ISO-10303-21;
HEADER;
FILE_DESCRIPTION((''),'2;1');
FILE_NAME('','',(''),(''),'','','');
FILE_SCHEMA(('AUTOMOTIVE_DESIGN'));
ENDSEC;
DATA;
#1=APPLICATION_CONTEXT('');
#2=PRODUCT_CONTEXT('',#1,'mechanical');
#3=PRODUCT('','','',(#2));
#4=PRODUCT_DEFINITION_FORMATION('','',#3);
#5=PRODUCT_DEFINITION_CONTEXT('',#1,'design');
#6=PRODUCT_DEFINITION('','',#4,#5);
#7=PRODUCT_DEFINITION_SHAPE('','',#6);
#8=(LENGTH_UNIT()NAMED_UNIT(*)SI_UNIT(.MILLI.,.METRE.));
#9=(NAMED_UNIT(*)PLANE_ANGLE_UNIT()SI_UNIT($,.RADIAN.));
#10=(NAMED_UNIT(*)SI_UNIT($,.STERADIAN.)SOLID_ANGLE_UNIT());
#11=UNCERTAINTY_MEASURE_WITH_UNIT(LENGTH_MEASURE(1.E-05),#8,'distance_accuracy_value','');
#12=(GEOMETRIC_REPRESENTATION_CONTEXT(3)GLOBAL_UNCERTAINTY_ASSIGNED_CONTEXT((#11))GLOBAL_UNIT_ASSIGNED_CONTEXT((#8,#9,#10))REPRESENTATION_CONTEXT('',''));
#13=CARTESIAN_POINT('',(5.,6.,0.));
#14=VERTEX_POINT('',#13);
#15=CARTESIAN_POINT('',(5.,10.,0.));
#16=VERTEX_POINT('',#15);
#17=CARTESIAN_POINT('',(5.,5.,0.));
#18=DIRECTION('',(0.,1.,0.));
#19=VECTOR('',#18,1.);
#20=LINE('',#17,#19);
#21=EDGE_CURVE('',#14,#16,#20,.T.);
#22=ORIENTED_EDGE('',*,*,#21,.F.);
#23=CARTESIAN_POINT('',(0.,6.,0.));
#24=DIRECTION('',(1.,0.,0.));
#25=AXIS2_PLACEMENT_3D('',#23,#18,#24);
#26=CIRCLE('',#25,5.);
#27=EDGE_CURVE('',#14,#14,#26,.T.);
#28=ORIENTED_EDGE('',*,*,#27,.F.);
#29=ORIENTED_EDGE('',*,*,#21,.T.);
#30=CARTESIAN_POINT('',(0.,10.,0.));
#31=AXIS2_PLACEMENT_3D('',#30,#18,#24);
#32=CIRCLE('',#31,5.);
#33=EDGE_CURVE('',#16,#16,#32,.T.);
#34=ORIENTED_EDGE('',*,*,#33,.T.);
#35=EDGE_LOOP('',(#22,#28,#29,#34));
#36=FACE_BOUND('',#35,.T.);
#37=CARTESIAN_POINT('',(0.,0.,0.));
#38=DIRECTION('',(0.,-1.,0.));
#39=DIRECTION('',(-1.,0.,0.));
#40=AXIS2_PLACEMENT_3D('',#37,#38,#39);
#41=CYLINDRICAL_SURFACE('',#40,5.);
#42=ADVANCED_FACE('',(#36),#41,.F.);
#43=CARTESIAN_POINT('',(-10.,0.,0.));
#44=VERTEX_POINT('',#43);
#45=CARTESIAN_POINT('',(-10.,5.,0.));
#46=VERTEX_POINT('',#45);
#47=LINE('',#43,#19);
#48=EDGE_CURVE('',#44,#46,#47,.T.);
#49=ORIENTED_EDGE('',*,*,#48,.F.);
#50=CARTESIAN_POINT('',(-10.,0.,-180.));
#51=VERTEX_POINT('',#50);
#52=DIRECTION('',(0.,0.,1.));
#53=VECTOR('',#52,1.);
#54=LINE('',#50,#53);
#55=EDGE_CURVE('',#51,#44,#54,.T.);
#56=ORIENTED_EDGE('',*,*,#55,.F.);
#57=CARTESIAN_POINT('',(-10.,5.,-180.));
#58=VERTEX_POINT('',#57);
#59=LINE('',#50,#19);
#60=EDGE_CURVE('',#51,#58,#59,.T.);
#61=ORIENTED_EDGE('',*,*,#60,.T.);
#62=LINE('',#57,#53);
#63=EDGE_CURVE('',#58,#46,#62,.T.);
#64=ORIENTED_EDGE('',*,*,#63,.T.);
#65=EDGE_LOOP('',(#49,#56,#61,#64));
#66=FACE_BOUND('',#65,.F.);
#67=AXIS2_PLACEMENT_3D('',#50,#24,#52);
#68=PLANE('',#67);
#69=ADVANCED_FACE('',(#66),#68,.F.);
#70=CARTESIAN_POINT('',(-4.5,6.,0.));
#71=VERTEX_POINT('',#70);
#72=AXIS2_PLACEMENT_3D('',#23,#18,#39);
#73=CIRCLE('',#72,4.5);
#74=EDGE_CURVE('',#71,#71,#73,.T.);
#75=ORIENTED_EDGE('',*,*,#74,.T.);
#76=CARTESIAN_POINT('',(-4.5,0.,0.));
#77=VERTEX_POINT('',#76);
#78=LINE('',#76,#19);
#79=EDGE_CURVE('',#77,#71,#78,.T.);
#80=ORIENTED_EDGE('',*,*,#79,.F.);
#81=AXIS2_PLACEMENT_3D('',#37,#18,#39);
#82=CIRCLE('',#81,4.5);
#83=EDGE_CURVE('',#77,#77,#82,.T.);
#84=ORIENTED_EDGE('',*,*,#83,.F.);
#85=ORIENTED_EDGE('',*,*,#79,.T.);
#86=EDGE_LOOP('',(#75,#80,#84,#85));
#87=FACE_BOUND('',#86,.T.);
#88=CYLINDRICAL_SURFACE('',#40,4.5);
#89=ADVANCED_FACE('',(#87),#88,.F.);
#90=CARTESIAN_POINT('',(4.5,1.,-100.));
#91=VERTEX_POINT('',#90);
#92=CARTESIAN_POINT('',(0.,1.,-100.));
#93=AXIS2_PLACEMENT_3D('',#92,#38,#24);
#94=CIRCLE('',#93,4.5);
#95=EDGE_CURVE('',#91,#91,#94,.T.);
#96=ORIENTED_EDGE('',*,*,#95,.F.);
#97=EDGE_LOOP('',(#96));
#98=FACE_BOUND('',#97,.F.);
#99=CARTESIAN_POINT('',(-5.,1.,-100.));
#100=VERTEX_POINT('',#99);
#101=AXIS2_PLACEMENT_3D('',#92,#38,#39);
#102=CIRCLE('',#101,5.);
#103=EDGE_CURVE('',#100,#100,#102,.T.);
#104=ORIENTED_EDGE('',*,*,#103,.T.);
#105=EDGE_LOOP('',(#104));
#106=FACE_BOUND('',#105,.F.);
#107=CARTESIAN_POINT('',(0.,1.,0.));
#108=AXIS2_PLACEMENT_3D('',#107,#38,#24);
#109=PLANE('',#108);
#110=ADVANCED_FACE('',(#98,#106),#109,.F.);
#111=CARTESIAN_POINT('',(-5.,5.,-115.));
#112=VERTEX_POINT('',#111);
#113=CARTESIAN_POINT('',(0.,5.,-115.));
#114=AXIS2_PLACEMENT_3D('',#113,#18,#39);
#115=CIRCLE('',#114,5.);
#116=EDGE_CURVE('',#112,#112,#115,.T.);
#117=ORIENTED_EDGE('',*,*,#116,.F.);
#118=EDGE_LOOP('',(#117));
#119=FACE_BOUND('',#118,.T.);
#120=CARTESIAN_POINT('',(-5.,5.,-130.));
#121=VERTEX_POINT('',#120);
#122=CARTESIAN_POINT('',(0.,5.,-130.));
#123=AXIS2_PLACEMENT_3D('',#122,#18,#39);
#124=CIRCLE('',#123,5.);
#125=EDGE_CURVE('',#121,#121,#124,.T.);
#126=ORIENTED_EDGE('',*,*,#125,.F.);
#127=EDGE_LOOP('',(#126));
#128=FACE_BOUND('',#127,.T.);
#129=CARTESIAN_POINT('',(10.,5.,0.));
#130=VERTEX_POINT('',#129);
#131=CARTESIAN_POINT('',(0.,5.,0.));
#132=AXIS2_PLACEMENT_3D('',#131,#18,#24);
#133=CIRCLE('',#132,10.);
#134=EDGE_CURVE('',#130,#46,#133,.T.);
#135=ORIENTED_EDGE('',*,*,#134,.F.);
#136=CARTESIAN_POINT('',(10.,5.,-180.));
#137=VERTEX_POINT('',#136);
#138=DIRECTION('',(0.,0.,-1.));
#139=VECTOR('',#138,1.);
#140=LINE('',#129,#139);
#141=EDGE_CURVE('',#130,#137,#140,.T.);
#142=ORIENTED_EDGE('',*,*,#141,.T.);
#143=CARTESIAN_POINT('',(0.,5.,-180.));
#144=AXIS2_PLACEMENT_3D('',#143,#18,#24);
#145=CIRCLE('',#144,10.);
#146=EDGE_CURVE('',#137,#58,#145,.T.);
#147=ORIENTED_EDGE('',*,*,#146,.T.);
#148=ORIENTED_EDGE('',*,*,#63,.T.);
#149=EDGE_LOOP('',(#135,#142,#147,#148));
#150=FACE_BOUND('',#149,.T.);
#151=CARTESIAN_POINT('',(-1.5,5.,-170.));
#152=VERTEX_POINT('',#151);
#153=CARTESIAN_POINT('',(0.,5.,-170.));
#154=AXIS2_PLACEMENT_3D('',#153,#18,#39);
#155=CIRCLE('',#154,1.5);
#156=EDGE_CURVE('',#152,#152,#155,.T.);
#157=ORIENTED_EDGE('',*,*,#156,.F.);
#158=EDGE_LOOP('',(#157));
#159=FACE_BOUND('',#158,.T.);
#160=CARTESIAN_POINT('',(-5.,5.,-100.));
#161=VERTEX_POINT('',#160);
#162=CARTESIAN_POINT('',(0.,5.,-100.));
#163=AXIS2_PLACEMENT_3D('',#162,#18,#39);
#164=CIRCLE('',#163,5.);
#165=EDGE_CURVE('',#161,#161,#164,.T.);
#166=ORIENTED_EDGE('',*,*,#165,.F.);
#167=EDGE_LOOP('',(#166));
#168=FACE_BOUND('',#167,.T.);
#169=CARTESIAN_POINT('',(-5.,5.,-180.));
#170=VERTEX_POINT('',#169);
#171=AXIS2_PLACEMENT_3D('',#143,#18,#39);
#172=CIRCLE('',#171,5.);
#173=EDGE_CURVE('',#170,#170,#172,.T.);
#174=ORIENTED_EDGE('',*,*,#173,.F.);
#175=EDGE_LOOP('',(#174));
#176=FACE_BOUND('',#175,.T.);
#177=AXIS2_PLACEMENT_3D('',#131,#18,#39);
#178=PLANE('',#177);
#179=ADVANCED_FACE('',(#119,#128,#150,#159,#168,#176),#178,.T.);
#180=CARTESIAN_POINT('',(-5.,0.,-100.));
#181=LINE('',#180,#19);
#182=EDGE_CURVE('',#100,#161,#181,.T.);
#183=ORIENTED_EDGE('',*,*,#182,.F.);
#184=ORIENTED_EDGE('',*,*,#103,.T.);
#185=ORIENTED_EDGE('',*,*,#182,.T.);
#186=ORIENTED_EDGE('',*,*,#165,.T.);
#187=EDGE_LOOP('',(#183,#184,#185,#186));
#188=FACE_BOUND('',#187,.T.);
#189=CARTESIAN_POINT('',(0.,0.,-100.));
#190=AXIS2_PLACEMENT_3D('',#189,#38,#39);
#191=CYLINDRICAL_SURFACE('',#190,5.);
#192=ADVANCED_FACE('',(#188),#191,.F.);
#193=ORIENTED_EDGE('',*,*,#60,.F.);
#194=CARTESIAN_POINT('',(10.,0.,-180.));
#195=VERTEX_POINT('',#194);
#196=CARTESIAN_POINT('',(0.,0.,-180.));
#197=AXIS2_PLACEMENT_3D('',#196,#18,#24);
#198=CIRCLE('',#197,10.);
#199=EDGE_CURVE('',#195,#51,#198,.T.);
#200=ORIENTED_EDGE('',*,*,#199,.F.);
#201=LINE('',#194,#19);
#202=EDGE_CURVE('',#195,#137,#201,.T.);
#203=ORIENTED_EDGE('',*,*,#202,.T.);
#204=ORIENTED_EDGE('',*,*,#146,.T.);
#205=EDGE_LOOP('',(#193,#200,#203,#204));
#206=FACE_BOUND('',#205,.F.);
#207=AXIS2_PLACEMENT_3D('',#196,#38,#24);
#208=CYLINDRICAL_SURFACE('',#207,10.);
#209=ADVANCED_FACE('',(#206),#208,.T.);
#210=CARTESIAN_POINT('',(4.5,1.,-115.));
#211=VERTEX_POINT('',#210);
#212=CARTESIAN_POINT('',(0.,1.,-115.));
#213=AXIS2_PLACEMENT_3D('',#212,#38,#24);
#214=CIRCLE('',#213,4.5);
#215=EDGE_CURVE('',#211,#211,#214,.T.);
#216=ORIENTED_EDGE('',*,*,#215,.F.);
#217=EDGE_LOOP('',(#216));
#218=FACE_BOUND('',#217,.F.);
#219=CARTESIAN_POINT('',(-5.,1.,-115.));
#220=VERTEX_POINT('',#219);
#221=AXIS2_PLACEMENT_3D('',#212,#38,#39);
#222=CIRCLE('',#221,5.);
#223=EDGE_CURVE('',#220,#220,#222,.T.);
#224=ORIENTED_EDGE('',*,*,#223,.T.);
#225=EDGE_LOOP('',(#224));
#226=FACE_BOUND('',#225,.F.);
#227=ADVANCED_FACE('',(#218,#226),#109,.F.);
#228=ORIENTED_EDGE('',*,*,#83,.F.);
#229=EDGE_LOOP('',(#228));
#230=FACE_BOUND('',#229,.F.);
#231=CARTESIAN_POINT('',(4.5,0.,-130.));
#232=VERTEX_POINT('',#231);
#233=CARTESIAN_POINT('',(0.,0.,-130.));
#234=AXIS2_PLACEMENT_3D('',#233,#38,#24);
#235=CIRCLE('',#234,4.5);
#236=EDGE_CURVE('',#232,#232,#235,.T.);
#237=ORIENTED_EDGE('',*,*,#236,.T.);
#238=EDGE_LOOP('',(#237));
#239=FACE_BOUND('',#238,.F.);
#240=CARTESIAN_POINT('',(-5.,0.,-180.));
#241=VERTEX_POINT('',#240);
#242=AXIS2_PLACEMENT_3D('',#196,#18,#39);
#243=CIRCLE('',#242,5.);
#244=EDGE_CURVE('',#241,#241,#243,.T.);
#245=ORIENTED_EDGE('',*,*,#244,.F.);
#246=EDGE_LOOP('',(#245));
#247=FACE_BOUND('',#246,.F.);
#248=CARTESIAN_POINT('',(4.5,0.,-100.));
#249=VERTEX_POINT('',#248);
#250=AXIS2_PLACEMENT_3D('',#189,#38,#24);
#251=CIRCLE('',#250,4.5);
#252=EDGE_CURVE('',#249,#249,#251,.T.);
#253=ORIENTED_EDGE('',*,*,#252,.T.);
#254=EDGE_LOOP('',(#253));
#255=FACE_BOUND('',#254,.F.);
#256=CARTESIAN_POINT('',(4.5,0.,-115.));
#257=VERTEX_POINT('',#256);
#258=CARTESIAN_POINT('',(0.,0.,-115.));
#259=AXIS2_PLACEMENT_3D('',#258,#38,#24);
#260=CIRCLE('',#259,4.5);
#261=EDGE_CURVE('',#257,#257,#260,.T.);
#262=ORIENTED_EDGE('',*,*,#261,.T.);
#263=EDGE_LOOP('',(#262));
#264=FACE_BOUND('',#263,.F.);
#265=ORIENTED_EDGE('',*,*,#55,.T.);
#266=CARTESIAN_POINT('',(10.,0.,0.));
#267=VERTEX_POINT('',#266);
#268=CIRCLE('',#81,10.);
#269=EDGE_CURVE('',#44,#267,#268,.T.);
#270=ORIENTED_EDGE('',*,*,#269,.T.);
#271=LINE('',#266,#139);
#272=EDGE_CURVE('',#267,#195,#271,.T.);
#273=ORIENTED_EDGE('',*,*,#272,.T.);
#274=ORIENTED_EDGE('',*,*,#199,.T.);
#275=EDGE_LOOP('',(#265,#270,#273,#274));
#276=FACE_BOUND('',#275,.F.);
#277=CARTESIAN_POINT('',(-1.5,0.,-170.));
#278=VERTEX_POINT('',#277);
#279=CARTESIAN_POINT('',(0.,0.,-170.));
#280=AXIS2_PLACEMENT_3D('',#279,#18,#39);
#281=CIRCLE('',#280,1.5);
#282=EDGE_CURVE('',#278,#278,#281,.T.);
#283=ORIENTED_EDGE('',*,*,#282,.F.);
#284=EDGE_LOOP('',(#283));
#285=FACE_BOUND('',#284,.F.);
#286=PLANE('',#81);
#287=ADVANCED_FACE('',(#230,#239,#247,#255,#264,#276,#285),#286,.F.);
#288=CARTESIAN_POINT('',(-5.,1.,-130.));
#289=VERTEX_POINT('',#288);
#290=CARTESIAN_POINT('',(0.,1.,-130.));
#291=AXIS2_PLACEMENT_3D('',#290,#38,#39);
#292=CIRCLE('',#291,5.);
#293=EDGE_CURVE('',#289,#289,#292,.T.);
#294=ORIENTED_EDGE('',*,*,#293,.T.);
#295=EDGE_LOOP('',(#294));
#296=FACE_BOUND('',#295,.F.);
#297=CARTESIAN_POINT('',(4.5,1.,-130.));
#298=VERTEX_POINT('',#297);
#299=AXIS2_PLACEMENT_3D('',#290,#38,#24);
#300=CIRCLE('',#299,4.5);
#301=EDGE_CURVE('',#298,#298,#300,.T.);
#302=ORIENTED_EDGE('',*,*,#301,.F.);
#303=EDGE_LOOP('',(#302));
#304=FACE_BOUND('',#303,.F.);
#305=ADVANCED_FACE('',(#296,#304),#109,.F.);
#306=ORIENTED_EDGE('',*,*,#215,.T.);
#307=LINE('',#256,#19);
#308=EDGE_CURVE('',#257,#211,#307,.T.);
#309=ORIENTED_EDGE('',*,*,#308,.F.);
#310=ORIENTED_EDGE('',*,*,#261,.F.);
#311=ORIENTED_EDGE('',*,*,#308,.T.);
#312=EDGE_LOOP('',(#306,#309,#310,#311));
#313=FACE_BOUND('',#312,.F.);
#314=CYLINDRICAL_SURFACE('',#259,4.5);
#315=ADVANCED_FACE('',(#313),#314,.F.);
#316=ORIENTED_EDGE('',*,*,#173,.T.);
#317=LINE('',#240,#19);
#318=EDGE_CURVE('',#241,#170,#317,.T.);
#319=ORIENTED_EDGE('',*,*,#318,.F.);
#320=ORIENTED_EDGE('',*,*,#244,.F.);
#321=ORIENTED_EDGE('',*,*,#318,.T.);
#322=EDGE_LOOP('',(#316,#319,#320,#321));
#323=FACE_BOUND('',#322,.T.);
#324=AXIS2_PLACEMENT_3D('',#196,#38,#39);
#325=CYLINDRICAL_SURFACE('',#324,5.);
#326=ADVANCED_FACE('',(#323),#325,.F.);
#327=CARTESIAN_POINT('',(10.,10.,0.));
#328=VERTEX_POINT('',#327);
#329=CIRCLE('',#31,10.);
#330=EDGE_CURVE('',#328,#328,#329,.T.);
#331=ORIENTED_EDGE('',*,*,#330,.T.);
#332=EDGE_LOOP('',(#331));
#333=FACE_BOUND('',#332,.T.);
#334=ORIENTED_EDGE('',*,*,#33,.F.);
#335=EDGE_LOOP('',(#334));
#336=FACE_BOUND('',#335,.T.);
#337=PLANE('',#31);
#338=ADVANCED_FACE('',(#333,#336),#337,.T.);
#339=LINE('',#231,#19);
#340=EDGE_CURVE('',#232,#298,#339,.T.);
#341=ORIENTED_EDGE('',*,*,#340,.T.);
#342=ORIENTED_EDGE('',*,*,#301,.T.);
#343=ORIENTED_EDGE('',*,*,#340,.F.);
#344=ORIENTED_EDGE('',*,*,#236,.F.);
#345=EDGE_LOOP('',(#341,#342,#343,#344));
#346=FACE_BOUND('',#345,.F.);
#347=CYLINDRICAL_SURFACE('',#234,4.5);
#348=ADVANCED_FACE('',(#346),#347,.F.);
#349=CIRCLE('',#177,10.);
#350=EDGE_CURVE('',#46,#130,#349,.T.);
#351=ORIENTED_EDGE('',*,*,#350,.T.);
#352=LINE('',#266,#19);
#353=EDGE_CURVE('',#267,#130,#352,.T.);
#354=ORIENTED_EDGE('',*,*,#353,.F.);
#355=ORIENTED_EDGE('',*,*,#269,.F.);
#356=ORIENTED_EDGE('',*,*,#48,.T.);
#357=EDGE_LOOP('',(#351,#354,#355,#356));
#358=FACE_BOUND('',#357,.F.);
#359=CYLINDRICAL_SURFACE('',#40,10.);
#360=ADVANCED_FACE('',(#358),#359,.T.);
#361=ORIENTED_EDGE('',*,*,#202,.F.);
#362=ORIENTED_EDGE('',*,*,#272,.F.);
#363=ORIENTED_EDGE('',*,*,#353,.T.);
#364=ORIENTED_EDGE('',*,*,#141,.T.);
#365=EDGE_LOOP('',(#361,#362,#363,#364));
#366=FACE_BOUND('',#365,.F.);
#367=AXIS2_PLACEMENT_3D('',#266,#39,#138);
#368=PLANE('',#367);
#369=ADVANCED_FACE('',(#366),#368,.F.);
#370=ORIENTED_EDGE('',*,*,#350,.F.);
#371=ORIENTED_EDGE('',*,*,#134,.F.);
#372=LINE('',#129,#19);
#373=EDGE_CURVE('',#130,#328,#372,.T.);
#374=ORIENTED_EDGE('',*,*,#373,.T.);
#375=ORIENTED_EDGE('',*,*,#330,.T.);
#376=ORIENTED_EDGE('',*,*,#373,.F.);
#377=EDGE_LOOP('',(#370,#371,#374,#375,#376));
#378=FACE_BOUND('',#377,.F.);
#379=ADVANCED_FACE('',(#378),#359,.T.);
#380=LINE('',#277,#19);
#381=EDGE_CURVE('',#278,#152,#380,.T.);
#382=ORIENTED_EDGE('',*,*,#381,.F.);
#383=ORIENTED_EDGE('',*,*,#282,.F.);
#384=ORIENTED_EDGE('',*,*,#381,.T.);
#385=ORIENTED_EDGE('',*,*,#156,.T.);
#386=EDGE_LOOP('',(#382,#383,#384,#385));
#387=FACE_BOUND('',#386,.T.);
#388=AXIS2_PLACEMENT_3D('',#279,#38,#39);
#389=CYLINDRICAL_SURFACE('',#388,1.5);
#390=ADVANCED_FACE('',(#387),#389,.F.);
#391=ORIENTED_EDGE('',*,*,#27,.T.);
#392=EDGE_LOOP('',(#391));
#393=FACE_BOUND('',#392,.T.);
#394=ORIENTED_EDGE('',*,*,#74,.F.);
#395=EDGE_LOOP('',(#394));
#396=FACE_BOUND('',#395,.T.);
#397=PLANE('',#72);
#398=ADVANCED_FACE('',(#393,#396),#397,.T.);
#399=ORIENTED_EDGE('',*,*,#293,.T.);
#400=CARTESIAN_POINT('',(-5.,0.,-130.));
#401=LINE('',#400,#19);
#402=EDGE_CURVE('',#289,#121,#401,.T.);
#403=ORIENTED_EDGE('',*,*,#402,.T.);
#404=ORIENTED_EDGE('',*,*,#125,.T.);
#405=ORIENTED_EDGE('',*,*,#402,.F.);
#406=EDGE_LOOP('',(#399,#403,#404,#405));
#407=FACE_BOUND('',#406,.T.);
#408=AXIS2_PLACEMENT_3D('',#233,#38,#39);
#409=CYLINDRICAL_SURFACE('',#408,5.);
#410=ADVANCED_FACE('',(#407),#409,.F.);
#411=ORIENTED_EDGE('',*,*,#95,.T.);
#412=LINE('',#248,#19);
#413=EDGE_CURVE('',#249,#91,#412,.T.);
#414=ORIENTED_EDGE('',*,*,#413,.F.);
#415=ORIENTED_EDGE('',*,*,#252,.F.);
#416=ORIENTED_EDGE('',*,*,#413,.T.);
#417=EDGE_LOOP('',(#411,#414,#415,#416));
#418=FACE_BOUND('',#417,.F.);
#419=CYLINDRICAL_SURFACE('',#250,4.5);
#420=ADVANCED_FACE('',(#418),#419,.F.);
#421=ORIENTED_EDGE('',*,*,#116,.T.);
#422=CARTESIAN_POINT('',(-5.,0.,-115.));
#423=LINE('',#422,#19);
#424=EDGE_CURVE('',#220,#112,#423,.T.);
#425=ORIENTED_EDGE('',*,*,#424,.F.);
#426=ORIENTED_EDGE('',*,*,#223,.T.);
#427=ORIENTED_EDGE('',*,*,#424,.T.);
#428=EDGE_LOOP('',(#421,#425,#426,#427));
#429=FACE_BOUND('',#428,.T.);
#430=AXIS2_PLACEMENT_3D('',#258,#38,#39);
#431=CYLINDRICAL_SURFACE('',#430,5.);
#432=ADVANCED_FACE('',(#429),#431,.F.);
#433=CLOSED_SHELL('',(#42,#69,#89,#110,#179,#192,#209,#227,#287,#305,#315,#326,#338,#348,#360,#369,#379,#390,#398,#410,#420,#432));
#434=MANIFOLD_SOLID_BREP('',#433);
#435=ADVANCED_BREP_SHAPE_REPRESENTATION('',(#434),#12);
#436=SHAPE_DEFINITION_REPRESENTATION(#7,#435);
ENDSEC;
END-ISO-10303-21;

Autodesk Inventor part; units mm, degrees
ref_plane "YZ Plane" through (0, 0, 0) normal (1, 0, 0) x (0, 1, 0)
ref_plane "XZ Plane" through (0, 0, 0) normal (0, 1, 0) x (-1, 0, 0)
ref_plane "XY Plane" through (0, 0, 0) normal (0, 0, 1) x (1, 0, 0)
sketch "Skizze3" plane through (0, 0, 0) normal (0, 1, 0) x (-1, 0, 0)
  line L0 (0, 0) -> (0, -180) construction
  line L1 (-10, 0) -> (-10, -180)
  line L2 (10, -180) -> (10, 0)
  arc A0 (10, 0) -> (-10, 0) centre (0, 0) ccw
  arc A1 (-10, -180) -> (10, -180) centre (0, -180) ccw
  circle A2 centre (0, 0) radius 5
  circle A3 centre (0, -180) radius 5
  circle A4 centre (0, -170) radius 1.5
  circle A5 centre (0, -130) radius 5
  circle A6 centre (0, -115) radius 5
  circle A7 centre (0, -100) radius 5
  circle A8 centre (0, 0) radius 4.5
  point P0 (0, -90)
  dimension "d4" = 180
  dimension "d5" = 10
  dimension "d6" = 10
  dimension "d7" = 10
  dimension "d8" = 3
  dimension "d9" = 10
  dimension "d10" = 50
  dimension "d11" = 10
  dimension "d12" = 10
  dimension "d13" = 10
  dimension "d14" = 15
  dimension "d15" = 15
  dimension "d27" = 9
extrude "Extrusion3" add sketch "Skizze3" along normal blind 5 contours A0 L2 A1 L1
sketch "Skizze4" plane through (0, 5, 0) normal (0, 1, 0) x (1, 0, 0)
  circle A0 centre (0, 0) radius 5 projected
  circle A1 centre (0, 0) radius 10
  dimension "d18" = 20
extrude "Extrusion4" add sketch "Skizze4" along normal blind 5
extrude "Extrusion5" add sketch "Skizze3" along normal blind 6 contours A2
sketch "Skizze5" plane through (0, 0, 0) normal (0, -1, 0) x (1, 0, 0)
  circle A0 centre (0, -130) radius 5 projected
  circle A1 centre (0, -100) radius 5 projected
  circle A2 centre (0, -115) radius 5 projected
  circle A3 centre (0, -100) radius 4.5
  circle A4 centre (0, -115) radius 4.5
  circle A5 centre (0, -130) radius 4.5
  point P0 (0, 0)
  dimension "d28" = 9
  dimension "d29" = 9
  dimension "d30" = 9
extrude "Extrusion7" add sketch "Skizze5" against normal blind 1
properties part number "BT303_trajan20_21" material "Kunststoff, undurchsichtig Schwarz"
